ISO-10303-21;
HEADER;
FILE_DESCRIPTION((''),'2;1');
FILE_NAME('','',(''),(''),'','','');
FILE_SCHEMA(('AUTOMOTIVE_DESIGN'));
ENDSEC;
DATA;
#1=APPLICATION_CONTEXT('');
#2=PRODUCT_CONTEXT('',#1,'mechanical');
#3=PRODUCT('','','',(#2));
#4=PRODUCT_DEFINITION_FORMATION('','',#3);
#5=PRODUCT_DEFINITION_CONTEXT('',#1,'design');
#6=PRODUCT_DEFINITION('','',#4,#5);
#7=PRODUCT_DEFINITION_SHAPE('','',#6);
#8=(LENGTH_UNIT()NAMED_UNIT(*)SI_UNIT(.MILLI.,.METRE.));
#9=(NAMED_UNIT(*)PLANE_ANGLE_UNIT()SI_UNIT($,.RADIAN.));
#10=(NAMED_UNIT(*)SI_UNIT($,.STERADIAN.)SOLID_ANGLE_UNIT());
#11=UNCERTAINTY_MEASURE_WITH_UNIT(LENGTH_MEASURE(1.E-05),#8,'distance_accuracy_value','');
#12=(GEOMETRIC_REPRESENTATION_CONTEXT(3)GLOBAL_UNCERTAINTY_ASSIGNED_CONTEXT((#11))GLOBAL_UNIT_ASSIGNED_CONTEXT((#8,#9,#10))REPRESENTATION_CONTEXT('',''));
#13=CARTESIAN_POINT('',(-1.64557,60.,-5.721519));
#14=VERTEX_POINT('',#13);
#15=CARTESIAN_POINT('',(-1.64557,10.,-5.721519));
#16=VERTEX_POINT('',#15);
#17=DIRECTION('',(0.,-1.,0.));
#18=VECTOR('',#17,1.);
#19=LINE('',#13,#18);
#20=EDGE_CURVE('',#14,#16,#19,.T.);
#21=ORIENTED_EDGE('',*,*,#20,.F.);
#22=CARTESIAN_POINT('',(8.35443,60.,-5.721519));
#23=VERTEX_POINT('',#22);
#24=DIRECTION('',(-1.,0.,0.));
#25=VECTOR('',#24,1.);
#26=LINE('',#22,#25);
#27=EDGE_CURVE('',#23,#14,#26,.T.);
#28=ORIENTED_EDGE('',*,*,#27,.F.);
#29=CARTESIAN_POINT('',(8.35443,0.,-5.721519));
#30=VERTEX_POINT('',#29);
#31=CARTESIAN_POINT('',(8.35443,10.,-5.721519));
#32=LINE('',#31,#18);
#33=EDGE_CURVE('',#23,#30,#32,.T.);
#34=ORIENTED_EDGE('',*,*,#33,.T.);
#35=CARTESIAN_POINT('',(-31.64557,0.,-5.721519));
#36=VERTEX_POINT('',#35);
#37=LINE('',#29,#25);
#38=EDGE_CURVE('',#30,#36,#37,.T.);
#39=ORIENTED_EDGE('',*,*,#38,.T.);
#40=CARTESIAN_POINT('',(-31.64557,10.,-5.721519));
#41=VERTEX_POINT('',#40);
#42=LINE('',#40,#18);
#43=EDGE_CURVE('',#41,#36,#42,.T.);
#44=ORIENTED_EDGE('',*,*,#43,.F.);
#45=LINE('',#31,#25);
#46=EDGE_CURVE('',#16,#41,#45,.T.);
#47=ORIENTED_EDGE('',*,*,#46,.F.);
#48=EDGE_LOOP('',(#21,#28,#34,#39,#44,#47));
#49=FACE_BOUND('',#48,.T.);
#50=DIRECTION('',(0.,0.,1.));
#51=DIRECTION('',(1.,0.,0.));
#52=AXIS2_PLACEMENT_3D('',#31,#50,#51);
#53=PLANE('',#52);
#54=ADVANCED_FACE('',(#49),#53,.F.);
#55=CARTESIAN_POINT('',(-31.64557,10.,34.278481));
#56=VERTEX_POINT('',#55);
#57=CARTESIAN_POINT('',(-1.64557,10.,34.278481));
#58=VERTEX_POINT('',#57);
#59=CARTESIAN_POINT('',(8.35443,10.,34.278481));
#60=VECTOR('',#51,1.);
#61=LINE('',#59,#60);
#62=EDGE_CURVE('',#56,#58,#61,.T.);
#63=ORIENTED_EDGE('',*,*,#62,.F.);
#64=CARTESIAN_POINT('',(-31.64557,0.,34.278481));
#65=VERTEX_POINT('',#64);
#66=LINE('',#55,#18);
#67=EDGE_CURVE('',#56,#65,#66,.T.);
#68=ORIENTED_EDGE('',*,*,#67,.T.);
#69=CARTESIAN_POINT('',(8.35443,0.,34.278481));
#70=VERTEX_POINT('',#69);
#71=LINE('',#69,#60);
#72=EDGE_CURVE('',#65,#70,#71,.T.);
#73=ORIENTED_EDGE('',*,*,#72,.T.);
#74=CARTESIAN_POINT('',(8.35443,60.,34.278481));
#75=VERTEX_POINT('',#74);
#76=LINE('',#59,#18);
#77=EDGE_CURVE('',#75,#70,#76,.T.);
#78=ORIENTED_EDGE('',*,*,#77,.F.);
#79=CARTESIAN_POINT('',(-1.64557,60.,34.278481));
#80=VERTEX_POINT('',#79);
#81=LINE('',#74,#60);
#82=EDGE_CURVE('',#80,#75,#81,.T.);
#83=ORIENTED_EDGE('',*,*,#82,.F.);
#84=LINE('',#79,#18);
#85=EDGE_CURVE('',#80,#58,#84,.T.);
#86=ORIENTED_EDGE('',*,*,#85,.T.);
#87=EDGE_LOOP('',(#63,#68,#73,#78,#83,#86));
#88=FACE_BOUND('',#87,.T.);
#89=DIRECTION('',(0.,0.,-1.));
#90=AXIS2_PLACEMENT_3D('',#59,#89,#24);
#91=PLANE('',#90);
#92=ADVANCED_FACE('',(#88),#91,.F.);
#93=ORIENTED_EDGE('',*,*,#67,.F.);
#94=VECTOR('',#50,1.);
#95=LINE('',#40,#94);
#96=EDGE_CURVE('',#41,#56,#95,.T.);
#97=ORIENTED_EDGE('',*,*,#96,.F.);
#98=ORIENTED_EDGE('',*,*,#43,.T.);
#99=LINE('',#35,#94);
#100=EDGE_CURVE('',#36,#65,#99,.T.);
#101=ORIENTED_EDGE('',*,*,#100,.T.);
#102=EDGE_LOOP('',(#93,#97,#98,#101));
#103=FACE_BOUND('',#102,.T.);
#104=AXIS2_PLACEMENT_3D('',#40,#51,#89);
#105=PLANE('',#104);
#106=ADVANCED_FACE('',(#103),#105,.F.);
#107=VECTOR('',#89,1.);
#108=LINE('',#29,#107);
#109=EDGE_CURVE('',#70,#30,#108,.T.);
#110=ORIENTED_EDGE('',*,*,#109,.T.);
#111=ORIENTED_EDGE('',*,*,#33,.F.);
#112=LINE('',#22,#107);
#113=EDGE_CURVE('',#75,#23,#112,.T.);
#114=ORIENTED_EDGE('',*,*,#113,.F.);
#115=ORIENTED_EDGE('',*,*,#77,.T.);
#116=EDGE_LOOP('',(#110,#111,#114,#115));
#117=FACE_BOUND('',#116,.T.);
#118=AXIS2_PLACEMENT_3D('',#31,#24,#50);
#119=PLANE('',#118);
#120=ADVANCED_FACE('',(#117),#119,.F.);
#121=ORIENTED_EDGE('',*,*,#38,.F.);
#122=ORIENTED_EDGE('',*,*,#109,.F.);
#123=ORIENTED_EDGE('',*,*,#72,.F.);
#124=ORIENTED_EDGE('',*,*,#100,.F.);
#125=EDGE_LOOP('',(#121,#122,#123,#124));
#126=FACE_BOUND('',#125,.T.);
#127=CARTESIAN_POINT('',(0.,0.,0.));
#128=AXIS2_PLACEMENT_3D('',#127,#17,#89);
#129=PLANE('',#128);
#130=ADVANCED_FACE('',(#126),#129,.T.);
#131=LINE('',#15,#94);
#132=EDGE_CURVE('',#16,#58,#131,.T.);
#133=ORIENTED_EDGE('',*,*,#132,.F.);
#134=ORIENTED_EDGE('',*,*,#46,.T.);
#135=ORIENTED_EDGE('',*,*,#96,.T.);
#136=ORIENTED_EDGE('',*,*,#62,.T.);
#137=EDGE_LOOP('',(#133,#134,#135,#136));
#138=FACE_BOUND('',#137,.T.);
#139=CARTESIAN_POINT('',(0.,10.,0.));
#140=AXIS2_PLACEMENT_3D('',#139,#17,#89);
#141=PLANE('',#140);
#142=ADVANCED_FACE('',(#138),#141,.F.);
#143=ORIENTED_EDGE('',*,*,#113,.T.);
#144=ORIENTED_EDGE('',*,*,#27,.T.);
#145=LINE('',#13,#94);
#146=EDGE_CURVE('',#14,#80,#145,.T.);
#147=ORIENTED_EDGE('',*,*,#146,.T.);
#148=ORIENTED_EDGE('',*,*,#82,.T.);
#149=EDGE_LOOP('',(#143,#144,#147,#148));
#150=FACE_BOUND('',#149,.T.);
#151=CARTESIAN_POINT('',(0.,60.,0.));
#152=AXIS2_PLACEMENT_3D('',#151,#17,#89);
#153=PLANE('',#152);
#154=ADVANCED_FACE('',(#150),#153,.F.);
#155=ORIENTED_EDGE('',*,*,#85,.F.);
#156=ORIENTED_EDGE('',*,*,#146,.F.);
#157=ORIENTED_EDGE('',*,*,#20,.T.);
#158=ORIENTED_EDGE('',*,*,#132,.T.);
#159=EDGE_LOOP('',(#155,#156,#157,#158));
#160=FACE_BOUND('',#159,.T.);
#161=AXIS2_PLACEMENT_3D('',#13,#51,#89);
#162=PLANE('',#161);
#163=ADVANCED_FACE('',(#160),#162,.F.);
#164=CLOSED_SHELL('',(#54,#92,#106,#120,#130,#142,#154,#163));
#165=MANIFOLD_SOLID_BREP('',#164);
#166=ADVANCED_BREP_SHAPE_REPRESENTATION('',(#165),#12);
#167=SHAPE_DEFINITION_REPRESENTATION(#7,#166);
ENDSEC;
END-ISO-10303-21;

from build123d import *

# Parameters (mm, degrees)
SKETCH1_W           = 40
SKETCH1_H           = 40
BOSS_EXTRUDE1_DEPTH = 10
SKETCH2_W           = 10
SKETCH2_H           = 40
BOSS_EXTRUDE2_DEPTH = 50


with BuildPart() as part:
    # Sketch1 → Boss-Extrude1 (new body)
    with BuildSketch(Plane(origin=(0, 0, 0), x_dir=(1, 0, 0), z_dir=(0, 1, 0))):
        with Locations((-11.64556962, -14.278481013)):
            Rectangle(SKETCH1_W, SKETCH1_H)
    extrude(amount=BOSS_EXTRUDE1_DEPTH)

    # Sketch2 → Boss-Extrude2 (add)
    with BuildSketch(Plane(origin=(0, 10, 0), x_dir=(1, 0, 0), z_dir=(0, 1, 0))):
        with Locations((3.35443038, -14.278481013)):
            Rectangle(SKETCH2_W, SKETCH2_H)
    extrude(amount=BOSS_EXTRUDE2_DEPTH)


solid = part.part
